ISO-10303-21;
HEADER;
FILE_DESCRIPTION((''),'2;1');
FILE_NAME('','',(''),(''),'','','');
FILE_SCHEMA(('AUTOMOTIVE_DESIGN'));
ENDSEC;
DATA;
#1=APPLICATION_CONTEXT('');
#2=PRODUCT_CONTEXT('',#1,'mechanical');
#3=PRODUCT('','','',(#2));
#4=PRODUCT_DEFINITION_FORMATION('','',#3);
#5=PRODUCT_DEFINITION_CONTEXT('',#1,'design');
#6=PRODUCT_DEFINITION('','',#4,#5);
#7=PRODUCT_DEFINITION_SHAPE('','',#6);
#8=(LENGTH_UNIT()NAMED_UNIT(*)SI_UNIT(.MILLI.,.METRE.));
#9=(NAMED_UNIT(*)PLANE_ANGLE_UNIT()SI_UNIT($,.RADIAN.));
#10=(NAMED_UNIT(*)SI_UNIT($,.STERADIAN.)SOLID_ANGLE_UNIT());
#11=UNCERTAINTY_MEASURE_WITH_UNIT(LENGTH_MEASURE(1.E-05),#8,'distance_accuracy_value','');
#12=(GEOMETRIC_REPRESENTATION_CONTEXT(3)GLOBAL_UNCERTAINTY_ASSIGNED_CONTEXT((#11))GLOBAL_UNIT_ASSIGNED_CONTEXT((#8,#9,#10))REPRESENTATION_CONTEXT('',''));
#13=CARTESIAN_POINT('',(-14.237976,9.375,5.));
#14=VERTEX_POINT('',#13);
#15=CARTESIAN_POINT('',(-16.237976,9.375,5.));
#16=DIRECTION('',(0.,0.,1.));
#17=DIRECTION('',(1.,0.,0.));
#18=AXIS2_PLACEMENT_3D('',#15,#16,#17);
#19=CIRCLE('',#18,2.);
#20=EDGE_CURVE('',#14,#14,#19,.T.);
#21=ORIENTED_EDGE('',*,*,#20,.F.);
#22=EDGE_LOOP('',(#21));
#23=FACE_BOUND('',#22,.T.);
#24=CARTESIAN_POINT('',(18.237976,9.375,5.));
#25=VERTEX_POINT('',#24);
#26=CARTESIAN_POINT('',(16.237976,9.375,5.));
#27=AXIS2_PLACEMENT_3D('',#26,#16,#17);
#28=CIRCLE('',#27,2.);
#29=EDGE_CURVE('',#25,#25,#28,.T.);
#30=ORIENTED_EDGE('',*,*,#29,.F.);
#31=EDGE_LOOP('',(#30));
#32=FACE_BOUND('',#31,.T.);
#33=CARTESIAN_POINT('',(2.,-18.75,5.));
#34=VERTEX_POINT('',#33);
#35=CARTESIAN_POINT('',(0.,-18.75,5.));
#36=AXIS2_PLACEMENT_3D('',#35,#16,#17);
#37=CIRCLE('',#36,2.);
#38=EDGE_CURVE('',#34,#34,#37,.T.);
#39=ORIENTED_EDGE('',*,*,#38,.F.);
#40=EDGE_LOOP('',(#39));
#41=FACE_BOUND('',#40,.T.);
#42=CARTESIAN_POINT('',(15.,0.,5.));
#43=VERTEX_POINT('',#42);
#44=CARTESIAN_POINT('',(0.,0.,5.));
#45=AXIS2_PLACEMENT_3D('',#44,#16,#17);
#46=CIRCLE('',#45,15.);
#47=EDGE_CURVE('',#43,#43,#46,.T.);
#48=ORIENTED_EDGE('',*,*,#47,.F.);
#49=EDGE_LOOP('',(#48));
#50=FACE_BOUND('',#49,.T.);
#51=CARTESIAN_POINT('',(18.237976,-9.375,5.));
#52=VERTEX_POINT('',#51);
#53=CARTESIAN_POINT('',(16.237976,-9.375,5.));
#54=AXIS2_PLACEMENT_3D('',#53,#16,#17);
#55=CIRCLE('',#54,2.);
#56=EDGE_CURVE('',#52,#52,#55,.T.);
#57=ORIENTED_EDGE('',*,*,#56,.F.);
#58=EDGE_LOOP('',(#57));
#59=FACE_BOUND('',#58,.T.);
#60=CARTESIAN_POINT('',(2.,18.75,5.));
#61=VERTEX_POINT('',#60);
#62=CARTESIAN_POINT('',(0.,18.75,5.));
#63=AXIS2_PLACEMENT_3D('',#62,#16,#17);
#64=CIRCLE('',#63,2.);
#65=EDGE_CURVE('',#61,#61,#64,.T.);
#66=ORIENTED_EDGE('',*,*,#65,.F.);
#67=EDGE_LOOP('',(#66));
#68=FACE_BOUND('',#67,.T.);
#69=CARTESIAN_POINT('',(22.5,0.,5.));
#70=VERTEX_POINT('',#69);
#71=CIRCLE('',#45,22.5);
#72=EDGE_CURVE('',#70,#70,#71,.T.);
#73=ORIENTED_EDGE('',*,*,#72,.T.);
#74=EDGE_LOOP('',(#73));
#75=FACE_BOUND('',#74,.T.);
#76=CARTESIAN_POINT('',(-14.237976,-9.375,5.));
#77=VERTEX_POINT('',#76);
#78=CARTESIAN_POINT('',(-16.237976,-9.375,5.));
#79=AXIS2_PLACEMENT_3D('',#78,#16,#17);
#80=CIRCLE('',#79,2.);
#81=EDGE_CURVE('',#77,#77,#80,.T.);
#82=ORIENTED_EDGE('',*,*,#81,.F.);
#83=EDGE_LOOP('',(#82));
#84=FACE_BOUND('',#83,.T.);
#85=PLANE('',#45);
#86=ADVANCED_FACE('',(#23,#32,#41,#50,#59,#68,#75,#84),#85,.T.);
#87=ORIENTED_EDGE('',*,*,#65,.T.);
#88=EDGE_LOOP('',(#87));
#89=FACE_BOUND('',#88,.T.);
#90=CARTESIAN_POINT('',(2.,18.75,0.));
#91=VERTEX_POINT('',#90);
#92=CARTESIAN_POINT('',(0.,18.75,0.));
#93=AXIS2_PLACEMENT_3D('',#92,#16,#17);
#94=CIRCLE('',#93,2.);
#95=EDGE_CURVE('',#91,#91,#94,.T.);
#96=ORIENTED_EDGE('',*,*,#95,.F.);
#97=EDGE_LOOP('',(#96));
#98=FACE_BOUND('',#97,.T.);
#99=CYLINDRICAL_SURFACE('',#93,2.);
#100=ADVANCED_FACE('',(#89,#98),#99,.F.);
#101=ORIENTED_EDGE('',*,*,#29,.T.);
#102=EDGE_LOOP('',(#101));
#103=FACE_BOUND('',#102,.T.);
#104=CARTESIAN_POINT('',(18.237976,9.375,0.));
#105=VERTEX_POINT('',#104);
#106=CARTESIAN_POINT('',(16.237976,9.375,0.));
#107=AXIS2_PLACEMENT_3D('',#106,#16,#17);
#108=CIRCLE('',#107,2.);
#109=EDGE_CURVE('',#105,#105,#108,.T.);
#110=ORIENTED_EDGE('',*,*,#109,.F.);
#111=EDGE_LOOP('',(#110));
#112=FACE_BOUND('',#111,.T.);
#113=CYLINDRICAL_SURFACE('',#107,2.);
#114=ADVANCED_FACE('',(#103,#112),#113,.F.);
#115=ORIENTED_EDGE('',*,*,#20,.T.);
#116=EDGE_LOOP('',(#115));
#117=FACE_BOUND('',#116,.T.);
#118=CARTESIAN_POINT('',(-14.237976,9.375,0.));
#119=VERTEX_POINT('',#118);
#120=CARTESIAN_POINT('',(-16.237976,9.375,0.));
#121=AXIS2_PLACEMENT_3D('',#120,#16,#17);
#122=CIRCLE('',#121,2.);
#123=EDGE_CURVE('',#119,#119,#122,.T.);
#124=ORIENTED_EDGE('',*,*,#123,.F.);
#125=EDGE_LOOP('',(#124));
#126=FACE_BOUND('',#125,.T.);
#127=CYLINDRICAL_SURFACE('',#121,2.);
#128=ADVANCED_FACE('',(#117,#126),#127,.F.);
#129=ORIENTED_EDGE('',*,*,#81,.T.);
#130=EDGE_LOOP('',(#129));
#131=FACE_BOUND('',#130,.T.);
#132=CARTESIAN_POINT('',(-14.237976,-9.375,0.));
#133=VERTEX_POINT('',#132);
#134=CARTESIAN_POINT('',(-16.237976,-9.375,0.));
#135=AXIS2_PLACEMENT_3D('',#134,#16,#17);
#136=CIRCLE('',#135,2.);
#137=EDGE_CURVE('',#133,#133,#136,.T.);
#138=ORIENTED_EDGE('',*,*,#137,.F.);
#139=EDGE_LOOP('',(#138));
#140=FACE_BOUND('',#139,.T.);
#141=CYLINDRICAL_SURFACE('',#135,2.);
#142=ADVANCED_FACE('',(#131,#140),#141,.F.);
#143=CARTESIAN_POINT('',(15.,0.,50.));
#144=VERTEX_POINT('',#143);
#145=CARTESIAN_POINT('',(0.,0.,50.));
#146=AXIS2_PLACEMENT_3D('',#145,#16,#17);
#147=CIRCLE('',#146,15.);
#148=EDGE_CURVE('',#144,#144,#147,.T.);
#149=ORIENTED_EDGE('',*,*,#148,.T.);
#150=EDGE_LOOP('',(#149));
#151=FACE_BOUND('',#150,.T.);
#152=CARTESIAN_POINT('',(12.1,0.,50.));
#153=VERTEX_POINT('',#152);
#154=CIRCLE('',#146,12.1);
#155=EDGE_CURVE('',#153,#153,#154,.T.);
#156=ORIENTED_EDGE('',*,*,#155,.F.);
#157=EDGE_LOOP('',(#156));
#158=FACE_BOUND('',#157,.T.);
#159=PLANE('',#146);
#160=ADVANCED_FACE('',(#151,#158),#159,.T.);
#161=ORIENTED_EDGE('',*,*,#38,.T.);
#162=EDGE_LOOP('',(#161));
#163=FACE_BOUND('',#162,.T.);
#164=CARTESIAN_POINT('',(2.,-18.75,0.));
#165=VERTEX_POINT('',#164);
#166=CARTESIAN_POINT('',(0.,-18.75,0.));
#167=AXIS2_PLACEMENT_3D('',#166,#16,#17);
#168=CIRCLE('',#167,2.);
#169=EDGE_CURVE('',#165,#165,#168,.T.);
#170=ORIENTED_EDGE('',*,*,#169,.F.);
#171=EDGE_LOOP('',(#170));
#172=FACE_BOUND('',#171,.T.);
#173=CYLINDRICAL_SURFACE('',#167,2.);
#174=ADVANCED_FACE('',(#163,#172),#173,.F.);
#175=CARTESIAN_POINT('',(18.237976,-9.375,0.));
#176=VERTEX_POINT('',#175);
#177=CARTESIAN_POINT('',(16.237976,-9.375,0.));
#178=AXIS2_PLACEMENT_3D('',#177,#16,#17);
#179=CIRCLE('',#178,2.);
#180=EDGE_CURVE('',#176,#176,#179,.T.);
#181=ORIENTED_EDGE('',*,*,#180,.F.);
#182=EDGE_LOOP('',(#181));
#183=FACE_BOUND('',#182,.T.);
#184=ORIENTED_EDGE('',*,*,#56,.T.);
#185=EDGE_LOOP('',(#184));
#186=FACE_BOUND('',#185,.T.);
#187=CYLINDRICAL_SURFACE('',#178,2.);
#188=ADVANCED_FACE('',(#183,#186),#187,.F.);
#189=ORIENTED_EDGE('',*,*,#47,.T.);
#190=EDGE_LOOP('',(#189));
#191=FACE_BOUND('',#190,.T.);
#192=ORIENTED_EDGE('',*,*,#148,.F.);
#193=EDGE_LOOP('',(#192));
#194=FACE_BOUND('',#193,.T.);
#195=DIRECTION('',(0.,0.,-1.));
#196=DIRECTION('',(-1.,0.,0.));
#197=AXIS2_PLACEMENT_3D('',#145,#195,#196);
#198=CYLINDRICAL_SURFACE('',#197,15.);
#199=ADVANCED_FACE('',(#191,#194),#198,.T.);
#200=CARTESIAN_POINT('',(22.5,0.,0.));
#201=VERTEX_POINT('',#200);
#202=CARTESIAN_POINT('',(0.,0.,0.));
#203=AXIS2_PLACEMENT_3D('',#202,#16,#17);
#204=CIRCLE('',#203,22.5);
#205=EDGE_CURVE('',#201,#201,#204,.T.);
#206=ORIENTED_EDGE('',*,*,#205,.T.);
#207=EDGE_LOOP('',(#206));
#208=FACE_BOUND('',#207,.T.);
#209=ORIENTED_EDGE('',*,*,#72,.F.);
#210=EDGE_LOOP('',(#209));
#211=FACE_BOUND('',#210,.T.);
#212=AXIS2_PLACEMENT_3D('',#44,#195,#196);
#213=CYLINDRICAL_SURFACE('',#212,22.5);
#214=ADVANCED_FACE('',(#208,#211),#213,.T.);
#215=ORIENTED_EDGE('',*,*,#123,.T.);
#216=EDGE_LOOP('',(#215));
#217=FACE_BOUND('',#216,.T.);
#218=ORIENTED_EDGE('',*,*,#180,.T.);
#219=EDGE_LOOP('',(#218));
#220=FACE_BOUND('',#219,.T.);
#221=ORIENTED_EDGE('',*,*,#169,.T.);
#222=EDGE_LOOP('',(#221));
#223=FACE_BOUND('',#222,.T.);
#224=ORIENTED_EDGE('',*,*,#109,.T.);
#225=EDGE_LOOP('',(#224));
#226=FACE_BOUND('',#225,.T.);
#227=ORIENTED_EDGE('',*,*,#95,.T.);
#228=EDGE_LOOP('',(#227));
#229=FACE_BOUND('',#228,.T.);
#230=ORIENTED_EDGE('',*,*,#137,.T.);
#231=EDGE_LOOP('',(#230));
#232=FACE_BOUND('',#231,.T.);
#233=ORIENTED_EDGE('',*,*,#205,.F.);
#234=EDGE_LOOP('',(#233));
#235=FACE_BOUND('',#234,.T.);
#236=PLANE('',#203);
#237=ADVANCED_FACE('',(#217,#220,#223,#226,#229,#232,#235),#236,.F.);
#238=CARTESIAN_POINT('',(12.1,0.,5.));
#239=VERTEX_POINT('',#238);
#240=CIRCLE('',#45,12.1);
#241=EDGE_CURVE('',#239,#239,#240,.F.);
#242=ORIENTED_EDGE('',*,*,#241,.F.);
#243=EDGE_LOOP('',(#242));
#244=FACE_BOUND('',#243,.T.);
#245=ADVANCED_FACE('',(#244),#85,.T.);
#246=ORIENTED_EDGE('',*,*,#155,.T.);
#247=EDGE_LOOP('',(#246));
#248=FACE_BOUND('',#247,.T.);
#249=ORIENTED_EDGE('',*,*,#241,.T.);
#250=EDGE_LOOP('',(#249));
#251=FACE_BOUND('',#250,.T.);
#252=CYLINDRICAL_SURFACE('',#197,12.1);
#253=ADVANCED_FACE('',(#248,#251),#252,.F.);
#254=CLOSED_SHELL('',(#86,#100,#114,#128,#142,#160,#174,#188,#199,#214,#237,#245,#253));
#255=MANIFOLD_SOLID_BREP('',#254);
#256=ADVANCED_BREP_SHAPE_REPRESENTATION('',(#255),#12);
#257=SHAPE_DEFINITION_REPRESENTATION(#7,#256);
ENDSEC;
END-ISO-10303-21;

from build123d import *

# Parameters (mm, degrees)
SKETCH1_R           = 22.5
BOSS_EXTRUDE1_DEPTH = 5
SKETCH2_R           = 15
SKETCH2_R_2         = 12.1
BOSS_EXTRUDE2_DEPTH = 45
SKETCH3_R           = 2
CUT_EXTRUDE1_DEPTH  = 5


with BuildPart() as part:
    # Sketch1 → Boss-Extrude1 (new body)
    with BuildSketch(Plane.XY):
        Circle(SKETCH1_R)
    extrude(amount=BOSS_EXTRUDE1_DEPTH)

    # Sketch2 → Boss-Extrude2 (add)
    with BuildSketch(Plane.XY.offset(5)):
        Circle(SKETCH2_R)
        Circle(SKETCH2_R_2, mode=Mode.SUBTRACT)
    extrude(amount=BOSS_EXTRUDE2_DEPTH)

    # Sketch3 → Cut-Extrude1 (cut)
    with BuildSketch(Plane.XY.offset(5)):
        with Locations((0, 18.75)):
            Circle(SKETCH3_R)
        with Locations((16.237976321, 9.375)):
            Circle(SKETCH3_R)
        with Locations((16.237976321, -9.375)):
            Circle(SKETCH3_R)
        with Locations((0, -18.75)):
            Circle(SKETCH3_R)
        with Locations((-16.237976321, -9.375)):
            Circle(SKETCH3_R)
        with Locations((-16.237976321, 9.375)):
            Circle(SKETCH3_R)
    extrude(amount=-CUT_EXTRUDE1_DEPTH, mode=Mode.SUBTRACT)


solid = part.part
